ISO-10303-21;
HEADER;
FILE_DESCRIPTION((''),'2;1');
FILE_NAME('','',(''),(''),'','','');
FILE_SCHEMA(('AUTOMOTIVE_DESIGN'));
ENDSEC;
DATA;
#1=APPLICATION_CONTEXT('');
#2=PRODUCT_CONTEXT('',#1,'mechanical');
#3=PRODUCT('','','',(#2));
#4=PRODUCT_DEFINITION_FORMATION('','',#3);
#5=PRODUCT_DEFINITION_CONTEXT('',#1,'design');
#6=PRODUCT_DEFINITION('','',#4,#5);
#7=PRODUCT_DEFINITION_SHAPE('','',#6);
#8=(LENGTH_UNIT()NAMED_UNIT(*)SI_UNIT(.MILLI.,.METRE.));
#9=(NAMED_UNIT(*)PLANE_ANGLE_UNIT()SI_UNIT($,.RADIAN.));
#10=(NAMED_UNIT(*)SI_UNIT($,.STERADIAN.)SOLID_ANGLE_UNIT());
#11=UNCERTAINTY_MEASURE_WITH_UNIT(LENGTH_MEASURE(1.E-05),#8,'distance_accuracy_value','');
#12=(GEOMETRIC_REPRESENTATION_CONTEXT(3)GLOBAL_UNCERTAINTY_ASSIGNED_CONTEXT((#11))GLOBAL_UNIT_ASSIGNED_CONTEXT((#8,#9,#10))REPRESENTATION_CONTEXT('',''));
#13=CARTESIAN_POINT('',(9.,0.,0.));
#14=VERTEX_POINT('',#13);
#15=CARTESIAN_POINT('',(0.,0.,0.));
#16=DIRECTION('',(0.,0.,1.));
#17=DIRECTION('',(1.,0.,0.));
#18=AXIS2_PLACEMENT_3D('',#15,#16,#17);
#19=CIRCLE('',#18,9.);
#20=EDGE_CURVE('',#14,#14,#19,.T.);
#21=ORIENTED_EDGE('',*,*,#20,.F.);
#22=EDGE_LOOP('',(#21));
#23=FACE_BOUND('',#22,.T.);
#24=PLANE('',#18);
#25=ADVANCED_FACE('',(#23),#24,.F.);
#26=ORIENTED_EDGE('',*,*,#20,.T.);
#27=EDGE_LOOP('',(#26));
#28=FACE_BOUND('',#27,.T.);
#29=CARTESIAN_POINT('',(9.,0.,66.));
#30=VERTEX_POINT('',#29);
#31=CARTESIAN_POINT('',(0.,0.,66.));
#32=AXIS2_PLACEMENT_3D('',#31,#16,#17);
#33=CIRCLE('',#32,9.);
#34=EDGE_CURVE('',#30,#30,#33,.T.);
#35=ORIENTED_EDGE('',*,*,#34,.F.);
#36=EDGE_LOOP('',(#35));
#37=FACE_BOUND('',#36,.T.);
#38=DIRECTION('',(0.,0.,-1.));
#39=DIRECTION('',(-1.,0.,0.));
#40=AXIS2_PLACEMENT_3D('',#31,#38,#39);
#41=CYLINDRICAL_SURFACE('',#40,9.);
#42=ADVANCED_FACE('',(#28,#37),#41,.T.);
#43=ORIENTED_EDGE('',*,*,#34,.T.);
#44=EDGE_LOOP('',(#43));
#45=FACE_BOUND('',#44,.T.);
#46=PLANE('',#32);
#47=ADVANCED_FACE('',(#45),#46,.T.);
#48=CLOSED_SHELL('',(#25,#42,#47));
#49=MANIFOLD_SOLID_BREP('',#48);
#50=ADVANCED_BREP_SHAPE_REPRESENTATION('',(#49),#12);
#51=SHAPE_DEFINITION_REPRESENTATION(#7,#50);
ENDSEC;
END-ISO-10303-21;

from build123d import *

# Parameters (mm, degrees)
IZIM1_R                     = 9
Y_KSEKLIK_EKSTR_ZYON1_DEPTH = 66


with BuildPart() as part:
    # Çizim1 → Yükseklik-Ekstrüzyon1 (new body)
    with BuildSketch(Plane.XY):
        Circle(IZIM1_R)
    extrude(amount=Y_KSEKLIK_EKSTR_ZYON1_DEPTH)


solid = part.part
